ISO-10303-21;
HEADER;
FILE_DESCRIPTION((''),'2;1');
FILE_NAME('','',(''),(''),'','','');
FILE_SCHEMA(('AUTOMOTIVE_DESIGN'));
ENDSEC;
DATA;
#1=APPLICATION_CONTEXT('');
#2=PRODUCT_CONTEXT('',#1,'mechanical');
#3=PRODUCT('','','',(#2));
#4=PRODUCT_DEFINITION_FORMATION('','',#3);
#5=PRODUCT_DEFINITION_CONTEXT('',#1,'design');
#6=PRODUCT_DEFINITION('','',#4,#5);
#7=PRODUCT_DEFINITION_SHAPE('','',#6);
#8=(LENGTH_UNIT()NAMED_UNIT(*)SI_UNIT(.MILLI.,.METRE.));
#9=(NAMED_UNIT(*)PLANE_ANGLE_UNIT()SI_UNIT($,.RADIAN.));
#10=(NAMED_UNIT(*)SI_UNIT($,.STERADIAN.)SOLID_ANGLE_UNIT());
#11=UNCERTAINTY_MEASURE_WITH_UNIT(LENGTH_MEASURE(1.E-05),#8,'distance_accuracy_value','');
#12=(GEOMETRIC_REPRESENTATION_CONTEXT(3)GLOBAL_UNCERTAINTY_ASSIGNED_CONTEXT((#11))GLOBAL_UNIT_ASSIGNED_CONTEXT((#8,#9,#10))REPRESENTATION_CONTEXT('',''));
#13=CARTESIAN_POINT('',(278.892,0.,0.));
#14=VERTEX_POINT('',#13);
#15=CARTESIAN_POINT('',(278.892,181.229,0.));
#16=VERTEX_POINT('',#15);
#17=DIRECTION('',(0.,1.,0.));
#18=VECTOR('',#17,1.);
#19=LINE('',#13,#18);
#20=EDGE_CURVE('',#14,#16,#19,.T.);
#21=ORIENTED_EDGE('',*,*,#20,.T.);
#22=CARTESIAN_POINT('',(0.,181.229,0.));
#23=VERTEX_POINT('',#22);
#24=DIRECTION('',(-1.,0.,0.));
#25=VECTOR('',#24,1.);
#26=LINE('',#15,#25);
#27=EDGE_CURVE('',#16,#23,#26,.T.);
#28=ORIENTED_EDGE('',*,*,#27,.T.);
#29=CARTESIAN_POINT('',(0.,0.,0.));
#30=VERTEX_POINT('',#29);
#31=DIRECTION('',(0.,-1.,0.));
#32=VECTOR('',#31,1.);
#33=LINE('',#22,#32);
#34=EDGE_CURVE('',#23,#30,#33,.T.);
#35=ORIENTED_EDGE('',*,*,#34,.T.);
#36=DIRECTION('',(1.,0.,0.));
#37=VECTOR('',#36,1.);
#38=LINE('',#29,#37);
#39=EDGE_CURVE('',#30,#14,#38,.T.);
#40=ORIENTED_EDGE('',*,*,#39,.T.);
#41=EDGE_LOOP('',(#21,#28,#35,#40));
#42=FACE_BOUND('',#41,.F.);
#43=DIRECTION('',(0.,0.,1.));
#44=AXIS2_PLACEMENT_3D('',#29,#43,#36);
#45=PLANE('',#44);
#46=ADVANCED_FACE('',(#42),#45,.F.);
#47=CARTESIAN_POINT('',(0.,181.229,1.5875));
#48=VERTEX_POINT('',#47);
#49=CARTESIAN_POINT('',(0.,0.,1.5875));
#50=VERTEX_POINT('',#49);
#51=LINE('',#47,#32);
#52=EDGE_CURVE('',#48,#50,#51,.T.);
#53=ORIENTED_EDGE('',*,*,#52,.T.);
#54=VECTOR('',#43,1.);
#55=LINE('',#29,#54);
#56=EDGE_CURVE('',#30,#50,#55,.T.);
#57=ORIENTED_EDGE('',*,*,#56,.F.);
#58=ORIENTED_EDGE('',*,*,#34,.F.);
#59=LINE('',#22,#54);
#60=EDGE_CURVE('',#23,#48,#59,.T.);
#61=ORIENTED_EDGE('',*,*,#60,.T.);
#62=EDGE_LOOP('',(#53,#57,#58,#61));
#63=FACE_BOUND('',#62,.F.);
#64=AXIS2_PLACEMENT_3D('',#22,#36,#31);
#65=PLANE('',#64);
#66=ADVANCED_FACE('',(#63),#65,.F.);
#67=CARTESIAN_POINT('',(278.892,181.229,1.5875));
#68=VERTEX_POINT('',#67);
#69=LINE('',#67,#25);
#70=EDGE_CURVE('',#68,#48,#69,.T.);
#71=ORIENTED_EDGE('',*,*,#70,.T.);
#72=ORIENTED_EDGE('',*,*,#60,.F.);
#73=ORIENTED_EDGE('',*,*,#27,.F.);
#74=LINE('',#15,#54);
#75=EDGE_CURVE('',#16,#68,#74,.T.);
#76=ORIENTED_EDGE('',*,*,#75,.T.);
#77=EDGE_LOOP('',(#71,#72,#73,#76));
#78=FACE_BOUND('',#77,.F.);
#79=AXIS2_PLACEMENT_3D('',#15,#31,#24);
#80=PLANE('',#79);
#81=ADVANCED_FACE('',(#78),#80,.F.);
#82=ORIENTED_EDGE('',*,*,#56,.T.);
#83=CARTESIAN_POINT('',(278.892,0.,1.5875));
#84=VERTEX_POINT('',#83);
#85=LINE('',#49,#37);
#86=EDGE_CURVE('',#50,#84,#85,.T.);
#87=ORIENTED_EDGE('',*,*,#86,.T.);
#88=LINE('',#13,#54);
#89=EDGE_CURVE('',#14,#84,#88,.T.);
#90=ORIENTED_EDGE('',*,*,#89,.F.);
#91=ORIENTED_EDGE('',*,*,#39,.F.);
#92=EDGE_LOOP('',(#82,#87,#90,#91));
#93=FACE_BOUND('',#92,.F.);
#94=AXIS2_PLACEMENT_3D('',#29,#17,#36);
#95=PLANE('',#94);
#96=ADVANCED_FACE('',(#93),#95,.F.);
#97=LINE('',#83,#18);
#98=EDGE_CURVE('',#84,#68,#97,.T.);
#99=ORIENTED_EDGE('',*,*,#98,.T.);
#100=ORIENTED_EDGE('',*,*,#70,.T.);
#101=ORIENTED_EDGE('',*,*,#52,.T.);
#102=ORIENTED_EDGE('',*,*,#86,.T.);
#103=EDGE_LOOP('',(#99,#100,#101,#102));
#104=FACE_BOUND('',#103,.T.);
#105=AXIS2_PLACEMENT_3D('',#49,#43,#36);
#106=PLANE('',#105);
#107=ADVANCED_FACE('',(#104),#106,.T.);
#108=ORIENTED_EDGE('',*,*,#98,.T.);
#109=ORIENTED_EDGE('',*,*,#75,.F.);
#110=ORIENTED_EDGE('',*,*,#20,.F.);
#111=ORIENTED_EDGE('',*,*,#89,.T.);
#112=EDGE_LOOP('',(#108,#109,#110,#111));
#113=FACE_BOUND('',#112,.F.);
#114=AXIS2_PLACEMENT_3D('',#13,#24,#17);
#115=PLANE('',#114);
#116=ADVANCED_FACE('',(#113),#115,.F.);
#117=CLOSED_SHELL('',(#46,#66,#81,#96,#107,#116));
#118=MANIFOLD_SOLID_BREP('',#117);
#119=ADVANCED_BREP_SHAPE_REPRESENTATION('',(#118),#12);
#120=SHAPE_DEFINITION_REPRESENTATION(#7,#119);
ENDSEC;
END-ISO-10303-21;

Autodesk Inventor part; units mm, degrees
ref_plane "YZ Plane" through (0, 0, 0) normal (1, 0, 0) x (0, 1, 0)
ref_plane "XZ Plane" through (0, 0, 0) normal (0, 1, 0) x (-1, 0, 0)
ref_plane "XY Plane" through (0, 0, 0) normal (0, 0, 1) x (1, 0, 0)
sketch "Sketch1" plane through (0, 0, 0) normal (0, 0, 1) x (1, 0, 0)
  line L0 (0, 0) -> (278.892, 0)
  line L1 (278.892, 0) -> (278.892, 181.229)
  line L2 (278.892, 181.229) -> (0, 181.229)
  line L3 (0, 181.229) -> (0, 0)
  dimension "d0" = 278.892
  dimension "d1" = 181.229
extrude "Extrusion1" add sketch "Sketch1" along normal blind 1.5875
properties part number "TurretSides"
